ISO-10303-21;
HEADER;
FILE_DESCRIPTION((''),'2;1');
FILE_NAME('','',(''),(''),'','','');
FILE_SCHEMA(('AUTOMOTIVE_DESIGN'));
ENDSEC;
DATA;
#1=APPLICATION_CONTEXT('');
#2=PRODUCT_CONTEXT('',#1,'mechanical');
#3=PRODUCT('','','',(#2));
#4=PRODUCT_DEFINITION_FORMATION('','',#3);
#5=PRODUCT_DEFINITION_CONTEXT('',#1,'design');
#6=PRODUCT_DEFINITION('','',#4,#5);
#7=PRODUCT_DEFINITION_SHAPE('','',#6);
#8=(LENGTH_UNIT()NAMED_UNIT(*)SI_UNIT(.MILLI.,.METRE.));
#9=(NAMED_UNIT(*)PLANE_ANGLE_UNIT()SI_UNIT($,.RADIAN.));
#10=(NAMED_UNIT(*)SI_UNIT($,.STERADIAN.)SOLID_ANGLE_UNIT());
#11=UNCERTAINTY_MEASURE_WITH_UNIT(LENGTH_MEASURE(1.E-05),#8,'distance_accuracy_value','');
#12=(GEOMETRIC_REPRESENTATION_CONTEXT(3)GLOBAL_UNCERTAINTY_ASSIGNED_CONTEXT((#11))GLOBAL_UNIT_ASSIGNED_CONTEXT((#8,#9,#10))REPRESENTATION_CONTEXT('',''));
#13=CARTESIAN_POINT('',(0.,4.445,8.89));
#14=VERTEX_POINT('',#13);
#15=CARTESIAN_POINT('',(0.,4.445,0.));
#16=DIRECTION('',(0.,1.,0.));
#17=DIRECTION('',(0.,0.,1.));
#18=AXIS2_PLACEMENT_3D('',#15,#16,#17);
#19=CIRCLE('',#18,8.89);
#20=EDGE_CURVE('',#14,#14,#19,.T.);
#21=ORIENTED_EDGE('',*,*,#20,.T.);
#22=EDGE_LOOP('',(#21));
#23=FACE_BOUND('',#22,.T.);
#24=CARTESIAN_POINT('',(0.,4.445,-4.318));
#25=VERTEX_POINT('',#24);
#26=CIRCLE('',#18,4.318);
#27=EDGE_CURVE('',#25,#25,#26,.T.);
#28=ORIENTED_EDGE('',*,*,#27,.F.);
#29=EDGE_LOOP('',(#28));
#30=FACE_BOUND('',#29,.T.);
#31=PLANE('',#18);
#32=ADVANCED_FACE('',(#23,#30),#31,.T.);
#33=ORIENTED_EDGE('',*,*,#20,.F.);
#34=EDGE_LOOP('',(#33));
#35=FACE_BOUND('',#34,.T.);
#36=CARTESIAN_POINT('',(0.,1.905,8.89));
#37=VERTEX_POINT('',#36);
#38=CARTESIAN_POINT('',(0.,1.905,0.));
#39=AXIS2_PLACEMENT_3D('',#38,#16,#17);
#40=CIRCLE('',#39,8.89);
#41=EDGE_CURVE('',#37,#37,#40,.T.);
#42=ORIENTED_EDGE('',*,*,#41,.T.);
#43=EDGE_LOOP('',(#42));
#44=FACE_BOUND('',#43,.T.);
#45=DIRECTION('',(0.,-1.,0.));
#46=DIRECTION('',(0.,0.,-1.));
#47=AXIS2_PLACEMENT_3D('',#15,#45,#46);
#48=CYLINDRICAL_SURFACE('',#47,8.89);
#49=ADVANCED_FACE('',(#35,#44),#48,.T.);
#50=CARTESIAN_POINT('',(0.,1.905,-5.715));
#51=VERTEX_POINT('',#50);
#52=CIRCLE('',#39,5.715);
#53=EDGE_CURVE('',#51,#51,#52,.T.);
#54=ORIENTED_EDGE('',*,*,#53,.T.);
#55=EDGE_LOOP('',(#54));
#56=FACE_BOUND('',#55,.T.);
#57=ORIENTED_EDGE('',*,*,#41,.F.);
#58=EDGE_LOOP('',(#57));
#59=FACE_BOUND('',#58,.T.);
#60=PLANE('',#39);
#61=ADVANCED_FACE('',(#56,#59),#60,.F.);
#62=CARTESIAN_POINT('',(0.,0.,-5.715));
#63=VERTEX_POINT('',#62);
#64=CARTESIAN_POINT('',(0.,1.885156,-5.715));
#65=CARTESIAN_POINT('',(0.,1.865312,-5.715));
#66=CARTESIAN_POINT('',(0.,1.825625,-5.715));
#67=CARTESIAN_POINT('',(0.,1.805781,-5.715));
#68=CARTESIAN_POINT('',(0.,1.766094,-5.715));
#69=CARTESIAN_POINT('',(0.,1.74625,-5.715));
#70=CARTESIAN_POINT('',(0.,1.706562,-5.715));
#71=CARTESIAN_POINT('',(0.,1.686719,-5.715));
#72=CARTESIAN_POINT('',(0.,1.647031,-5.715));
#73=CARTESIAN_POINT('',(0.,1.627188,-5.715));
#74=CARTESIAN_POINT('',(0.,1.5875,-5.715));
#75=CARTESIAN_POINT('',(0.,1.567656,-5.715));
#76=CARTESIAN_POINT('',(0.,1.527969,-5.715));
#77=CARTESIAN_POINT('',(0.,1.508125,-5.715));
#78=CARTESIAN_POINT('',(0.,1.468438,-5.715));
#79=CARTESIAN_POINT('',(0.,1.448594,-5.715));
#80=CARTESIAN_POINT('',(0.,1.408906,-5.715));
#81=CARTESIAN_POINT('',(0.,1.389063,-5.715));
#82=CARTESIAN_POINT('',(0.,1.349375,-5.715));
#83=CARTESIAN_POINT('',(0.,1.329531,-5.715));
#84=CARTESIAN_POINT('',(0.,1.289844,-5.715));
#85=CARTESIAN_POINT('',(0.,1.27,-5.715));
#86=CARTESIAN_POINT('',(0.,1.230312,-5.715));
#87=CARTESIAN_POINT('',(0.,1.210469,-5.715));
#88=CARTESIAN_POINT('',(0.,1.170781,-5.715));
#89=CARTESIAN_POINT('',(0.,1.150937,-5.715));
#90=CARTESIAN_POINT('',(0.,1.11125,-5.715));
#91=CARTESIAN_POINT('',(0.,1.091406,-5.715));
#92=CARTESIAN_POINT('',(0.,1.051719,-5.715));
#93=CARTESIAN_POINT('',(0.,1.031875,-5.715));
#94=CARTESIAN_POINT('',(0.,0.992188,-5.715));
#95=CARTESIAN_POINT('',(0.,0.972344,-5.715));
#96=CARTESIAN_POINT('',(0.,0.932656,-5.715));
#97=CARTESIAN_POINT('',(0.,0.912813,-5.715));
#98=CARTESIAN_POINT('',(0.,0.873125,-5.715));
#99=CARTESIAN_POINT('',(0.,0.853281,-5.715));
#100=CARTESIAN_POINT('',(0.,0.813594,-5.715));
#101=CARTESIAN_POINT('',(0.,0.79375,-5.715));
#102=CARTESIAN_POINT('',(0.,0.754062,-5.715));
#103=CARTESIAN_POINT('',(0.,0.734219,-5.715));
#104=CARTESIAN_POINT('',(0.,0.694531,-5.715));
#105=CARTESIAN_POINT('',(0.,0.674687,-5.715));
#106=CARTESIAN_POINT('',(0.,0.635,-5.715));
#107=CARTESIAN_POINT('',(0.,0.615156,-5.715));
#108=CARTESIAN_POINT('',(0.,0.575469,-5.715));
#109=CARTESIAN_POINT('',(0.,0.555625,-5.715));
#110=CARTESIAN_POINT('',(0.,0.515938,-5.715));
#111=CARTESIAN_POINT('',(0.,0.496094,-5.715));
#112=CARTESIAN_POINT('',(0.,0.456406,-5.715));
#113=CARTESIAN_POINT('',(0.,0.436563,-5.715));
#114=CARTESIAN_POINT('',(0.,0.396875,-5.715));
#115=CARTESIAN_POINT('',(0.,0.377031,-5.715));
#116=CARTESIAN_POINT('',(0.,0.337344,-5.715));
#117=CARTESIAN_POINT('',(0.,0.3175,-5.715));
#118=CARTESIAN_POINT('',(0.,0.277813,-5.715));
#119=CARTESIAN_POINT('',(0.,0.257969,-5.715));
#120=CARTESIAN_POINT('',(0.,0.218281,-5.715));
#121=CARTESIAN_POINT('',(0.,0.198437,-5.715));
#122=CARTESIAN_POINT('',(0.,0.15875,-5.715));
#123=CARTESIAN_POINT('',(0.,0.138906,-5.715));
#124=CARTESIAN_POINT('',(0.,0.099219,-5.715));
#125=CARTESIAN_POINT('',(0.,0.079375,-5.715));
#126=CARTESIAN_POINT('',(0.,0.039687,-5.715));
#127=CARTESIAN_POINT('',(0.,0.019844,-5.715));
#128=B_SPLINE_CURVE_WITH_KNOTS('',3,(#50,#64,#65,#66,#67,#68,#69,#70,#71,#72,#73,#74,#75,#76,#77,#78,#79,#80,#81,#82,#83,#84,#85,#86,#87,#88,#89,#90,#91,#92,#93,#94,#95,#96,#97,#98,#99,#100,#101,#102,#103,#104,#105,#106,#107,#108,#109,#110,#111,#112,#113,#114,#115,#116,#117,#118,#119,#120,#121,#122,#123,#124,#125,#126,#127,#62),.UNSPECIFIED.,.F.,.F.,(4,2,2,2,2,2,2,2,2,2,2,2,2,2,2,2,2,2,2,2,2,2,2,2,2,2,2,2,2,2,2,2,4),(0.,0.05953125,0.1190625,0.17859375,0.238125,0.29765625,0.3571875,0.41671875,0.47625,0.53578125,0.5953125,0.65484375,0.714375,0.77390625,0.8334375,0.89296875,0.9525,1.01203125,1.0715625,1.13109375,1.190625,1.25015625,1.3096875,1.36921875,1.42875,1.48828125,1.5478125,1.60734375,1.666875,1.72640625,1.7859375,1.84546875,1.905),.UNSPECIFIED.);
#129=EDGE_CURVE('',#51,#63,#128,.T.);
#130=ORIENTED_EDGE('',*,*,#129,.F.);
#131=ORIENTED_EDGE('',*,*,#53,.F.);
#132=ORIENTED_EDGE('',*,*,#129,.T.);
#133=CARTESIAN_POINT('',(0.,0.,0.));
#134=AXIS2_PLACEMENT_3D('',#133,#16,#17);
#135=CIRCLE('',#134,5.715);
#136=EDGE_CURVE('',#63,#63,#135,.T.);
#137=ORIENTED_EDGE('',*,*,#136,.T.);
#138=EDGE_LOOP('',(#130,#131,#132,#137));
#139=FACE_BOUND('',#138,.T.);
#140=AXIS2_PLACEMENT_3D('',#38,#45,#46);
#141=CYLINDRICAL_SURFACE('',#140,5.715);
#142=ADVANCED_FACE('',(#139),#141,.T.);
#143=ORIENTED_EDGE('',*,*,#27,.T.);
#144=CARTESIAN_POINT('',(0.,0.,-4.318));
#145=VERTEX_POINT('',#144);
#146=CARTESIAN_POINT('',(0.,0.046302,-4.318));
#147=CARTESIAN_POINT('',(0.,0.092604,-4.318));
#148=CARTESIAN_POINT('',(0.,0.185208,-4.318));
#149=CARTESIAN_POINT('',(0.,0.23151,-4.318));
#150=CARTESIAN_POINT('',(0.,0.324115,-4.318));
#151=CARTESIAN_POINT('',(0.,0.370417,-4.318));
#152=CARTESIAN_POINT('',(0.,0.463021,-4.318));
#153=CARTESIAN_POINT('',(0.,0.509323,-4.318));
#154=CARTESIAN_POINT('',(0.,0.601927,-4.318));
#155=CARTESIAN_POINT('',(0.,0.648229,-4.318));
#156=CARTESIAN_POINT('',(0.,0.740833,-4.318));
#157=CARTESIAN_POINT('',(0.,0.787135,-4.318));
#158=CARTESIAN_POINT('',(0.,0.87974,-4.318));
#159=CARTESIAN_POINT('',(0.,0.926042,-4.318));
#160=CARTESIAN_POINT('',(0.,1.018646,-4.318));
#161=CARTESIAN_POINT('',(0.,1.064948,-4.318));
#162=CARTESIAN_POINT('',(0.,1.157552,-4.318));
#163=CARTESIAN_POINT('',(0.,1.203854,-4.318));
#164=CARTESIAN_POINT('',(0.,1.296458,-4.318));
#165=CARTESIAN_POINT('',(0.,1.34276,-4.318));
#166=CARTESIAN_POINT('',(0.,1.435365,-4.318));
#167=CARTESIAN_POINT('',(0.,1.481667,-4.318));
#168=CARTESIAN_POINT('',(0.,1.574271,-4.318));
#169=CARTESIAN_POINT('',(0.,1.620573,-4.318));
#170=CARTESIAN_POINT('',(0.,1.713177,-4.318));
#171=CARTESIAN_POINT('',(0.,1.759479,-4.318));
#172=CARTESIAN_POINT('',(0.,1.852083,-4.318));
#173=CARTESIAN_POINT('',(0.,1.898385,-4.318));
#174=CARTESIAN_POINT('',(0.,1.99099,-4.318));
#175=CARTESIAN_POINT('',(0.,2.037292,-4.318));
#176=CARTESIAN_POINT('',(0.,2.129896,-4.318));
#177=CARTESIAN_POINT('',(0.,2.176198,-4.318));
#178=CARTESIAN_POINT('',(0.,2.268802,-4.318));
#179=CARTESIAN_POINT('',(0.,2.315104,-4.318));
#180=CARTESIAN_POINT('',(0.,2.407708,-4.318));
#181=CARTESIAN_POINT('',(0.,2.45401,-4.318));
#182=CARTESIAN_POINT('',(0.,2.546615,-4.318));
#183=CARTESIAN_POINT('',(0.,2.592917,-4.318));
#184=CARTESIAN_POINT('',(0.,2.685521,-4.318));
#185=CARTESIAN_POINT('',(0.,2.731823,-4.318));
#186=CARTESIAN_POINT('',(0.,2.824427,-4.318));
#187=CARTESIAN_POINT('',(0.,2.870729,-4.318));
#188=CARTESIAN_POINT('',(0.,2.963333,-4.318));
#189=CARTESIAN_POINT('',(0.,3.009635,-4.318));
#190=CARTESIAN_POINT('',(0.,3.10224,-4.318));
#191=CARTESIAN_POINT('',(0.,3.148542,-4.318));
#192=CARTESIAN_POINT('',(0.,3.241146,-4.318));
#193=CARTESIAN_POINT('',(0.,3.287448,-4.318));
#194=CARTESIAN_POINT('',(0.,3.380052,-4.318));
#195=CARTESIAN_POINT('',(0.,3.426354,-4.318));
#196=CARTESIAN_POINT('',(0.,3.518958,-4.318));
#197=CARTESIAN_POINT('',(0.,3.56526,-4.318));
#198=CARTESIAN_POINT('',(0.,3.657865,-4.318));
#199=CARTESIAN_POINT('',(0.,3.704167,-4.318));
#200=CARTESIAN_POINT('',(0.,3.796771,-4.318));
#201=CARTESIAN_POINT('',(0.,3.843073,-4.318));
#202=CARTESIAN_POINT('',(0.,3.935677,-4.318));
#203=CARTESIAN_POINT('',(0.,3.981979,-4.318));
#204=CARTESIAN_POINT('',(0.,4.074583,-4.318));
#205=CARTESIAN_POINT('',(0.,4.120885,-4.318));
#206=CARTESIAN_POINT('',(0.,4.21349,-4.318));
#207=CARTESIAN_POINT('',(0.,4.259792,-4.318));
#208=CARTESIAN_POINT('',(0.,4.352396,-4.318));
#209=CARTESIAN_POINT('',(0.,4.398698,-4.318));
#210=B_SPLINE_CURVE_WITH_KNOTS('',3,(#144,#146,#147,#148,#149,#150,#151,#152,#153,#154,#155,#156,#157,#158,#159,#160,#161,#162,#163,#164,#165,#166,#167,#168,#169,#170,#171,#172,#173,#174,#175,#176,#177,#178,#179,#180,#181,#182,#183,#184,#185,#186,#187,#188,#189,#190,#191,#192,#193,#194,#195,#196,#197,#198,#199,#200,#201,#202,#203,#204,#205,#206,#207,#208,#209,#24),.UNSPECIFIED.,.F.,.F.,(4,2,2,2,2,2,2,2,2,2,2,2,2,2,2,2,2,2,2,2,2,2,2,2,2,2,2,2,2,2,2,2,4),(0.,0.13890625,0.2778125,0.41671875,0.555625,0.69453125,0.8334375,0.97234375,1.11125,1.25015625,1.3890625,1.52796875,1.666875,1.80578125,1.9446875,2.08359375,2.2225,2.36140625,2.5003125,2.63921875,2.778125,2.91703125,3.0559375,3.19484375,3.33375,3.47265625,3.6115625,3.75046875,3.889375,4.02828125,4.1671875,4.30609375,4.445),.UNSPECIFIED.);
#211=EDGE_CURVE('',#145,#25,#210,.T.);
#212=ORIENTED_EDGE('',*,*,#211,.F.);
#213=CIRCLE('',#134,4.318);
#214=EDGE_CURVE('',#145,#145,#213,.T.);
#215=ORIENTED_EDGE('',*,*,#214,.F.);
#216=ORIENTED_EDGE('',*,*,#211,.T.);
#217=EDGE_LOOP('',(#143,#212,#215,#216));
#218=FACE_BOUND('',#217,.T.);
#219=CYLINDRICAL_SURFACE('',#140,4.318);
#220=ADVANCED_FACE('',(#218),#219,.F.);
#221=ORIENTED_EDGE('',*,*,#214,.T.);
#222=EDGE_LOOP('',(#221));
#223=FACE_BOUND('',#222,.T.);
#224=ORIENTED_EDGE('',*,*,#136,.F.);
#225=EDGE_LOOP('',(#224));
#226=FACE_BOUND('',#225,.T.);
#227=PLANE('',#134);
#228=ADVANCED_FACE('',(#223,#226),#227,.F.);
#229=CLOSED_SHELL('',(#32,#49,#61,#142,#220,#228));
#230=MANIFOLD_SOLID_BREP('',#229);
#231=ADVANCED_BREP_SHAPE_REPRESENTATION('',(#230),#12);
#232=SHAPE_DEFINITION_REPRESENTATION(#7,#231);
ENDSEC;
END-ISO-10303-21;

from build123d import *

# Parameters (mm, degrees)
SKETCH1_R           = 5.715
SKETCH1_R_2         = 4.318
BOSS_EXTRUDE1_DEPTH = 1.905
SKETCH2_R           = 8.89
SKETCH2_R_2         = 4.318
BOSS_EXTRUDE2_DEPTH = 2.54


with BuildPart() as part:
    # Sketch1 → Boss-Extrude1 (new body)
    with BuildSketch(Plane(origin=(0, 0, 0), x_dir=(1, 0, 0), z_dir=(0, 1, 0))):
        with Locations(Location((0, 0, 0), (0, 0, 90))):
            Circle(SKETCH1_R)
        with Locations(Location((0, 0, 0), (0, 0, 90))):
            Circle(SKETCH1_R_2, mode=Mode.SUBTRACT)
    extrude(amount=BOSS_EXTRUDE1_DEPTH)

    # Sketch2 → Boss-Extrude2 (add)
    with BuildSketch(Plane(origin=(0, 1.905, 0), x_dir=(1, 0, 0), z_dir=(0, 1, 0))):
        with Locations(Location((0, 0, 0), (0, 0, 270))):
            Circle(SKETCH2_R)
        with Locations(Location((0, 0, 0), (0, 0, 90))):
            Circle(SKETCH2_R_2, mode=Mode.SUBTRACT)
    extrude(amount=BOSS_EXTRUDE2_DEPTH)


solid = part.part
